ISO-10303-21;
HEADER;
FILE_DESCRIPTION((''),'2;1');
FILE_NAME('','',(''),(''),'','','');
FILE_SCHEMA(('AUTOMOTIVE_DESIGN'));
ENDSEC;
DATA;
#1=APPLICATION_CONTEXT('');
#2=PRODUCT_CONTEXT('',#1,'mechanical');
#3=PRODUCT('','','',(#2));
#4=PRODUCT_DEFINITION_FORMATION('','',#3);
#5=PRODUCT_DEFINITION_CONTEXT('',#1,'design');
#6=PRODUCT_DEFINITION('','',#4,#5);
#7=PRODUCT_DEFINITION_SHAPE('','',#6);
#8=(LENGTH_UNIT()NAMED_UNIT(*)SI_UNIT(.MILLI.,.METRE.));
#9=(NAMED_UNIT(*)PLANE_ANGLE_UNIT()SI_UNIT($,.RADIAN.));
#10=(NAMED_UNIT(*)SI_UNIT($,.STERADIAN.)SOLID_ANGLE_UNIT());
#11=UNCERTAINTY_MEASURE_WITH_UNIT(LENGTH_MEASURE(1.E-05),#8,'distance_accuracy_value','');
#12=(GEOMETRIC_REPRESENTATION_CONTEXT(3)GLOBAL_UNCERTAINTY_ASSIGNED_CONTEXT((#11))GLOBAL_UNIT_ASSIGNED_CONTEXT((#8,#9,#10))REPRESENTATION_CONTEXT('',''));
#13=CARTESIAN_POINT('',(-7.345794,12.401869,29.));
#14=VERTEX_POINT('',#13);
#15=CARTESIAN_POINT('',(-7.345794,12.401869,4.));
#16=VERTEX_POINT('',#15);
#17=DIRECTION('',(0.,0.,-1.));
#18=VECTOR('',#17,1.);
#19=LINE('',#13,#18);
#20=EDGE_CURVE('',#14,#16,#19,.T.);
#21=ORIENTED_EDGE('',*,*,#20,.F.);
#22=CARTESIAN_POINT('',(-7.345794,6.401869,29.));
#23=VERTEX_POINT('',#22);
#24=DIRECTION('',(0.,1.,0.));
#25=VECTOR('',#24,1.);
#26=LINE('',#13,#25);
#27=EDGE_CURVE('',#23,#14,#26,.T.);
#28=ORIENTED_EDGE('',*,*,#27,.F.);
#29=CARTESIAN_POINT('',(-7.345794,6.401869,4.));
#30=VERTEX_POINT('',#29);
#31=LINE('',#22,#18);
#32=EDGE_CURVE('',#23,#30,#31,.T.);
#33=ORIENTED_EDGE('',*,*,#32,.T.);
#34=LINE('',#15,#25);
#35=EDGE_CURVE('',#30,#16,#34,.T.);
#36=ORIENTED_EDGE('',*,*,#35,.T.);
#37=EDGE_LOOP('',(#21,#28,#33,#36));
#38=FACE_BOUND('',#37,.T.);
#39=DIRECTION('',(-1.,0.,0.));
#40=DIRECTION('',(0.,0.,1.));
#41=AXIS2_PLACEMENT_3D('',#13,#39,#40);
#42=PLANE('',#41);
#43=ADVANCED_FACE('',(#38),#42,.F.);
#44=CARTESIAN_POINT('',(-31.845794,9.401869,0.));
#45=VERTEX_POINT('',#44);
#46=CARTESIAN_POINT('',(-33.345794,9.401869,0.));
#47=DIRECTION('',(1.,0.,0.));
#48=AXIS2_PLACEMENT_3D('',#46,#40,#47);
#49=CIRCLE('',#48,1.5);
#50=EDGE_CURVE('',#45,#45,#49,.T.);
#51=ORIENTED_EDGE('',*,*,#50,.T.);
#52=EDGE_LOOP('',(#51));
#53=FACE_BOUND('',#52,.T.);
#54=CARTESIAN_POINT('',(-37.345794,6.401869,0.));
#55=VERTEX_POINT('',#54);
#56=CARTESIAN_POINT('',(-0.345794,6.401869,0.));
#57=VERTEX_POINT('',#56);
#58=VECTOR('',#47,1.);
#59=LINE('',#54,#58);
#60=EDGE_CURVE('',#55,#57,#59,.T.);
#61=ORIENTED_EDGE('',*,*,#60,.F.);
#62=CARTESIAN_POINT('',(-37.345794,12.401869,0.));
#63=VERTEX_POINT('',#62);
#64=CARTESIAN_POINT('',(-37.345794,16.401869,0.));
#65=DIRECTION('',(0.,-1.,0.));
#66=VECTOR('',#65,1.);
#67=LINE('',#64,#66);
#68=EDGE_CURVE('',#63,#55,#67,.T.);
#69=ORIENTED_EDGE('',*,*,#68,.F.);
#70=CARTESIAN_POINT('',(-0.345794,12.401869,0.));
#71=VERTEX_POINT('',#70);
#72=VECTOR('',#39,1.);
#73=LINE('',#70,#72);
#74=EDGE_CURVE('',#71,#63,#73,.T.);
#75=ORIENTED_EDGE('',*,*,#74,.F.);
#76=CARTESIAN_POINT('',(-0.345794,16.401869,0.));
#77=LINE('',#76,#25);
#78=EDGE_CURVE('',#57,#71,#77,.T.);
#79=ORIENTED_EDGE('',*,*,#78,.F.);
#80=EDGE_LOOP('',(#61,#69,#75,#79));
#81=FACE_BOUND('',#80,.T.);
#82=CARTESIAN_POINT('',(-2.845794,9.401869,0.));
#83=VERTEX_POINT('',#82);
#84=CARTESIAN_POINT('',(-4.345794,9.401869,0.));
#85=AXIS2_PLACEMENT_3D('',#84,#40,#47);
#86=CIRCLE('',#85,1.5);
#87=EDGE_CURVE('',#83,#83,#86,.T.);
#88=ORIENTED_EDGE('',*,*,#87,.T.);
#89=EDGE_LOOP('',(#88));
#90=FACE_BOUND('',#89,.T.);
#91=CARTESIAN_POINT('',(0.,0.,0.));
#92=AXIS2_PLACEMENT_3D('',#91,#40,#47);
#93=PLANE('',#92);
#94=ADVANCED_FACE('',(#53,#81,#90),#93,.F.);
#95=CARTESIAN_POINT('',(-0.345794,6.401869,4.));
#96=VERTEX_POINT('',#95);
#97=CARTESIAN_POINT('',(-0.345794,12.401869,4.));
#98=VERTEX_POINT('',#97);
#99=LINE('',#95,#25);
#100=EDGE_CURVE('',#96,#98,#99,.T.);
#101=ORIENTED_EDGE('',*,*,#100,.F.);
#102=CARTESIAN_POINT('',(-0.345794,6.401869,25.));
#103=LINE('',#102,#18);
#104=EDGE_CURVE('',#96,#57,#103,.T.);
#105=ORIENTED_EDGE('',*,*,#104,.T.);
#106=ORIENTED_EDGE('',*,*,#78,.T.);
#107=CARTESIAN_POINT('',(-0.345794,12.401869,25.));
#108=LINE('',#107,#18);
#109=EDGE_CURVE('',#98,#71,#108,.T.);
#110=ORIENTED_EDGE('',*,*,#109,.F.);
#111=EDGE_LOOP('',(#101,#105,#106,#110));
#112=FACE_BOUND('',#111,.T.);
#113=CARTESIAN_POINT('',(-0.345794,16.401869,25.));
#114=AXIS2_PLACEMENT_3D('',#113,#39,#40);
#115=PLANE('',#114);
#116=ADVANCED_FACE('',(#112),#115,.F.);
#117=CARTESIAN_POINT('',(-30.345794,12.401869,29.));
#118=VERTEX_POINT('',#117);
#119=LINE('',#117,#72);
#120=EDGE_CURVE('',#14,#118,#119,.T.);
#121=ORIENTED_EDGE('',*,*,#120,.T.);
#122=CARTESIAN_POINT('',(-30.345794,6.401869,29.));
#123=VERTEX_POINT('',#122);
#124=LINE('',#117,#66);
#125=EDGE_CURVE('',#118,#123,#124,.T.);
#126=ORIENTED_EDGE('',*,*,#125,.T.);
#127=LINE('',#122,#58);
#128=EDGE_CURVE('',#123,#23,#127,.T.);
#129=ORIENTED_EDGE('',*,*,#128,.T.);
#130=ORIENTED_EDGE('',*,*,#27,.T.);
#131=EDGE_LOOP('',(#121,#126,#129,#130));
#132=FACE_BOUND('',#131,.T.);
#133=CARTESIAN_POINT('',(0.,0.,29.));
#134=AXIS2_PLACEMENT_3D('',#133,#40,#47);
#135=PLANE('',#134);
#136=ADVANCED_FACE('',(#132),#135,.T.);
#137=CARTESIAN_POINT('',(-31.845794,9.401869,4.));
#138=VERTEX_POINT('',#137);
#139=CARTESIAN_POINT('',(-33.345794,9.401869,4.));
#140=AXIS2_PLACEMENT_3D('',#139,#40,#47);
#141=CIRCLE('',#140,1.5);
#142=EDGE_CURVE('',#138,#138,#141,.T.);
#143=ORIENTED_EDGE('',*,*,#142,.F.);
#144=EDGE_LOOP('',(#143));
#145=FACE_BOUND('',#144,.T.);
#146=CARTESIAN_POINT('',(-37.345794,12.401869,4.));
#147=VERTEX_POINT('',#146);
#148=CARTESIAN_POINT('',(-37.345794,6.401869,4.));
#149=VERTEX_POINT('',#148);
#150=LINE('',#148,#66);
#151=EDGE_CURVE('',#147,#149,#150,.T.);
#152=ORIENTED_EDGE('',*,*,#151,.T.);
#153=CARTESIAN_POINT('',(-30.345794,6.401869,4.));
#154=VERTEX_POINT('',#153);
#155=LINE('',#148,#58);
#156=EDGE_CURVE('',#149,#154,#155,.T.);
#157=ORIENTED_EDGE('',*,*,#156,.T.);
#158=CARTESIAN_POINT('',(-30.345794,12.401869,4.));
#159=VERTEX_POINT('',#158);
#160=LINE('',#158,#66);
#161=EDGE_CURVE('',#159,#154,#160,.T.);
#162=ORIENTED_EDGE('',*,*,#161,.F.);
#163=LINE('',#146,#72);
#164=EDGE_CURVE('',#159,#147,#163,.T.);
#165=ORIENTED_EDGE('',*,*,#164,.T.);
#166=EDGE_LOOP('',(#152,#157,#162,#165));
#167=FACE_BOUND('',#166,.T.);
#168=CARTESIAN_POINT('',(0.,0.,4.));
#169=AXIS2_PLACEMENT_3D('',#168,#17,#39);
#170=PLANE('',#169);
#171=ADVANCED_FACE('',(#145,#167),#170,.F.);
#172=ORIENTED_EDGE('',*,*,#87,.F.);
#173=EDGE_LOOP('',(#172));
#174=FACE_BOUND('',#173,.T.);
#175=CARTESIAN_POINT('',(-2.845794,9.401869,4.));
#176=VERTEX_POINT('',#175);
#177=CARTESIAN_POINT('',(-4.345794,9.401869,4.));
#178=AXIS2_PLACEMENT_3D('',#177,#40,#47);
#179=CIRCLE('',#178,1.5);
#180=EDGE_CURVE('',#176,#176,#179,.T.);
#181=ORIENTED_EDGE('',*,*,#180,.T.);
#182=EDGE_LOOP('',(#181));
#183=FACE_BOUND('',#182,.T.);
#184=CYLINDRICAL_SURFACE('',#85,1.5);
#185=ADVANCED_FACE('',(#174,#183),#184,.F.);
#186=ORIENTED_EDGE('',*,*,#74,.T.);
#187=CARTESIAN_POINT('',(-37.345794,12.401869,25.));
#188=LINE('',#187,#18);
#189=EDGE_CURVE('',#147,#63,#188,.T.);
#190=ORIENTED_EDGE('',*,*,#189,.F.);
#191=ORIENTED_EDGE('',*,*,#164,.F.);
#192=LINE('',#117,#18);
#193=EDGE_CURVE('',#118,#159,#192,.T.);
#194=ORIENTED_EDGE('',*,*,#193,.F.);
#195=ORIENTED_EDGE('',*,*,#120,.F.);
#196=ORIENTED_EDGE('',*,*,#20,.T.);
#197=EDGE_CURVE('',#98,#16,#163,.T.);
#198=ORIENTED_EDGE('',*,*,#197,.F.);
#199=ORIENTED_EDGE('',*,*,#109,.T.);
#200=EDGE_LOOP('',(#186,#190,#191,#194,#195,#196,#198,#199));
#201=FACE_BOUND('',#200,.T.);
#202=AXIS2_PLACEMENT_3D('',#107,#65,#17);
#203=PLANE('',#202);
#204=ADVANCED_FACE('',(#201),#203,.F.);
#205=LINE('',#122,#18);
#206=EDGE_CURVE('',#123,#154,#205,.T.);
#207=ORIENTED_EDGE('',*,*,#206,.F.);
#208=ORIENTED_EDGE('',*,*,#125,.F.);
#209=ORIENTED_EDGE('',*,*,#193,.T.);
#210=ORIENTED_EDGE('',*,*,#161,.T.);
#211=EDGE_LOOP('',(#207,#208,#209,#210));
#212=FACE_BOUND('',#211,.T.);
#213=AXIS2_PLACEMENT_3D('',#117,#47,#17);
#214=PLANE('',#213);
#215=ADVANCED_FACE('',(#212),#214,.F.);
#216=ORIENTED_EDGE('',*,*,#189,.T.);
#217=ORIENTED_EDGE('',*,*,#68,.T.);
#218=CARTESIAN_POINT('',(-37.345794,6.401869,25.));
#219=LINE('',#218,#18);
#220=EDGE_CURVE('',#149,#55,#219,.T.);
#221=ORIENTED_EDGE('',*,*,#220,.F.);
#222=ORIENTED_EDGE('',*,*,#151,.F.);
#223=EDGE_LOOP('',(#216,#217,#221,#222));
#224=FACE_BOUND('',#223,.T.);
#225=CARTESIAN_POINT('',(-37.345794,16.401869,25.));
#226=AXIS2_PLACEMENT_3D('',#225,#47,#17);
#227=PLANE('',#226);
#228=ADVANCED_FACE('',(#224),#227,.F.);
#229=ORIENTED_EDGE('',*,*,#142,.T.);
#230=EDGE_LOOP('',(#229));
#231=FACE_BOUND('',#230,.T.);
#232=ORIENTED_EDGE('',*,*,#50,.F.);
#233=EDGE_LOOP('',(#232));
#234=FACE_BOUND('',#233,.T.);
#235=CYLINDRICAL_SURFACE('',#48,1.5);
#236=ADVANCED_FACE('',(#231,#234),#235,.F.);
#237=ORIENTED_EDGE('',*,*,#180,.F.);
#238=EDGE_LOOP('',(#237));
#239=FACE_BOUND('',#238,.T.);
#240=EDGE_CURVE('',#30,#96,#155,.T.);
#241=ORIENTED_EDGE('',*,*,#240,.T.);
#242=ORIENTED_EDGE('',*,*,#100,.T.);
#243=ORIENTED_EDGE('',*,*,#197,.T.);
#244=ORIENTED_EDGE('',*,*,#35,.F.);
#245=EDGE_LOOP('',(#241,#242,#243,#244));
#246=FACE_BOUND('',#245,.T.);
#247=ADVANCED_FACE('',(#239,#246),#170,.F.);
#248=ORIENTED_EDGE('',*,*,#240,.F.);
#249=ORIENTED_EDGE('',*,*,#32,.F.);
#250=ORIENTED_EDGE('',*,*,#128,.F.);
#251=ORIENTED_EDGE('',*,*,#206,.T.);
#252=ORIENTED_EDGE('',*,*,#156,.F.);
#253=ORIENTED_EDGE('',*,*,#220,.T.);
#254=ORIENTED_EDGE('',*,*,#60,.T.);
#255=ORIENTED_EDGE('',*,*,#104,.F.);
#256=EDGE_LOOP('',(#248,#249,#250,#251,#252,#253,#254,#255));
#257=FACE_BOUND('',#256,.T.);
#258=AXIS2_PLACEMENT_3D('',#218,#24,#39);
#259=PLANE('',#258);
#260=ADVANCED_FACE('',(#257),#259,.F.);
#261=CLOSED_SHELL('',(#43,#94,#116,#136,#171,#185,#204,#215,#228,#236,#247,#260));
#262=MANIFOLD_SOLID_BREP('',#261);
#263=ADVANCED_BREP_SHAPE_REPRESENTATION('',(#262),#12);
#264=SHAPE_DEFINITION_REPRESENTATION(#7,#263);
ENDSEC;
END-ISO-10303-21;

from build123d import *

# Parameters (mm, degrees)
CROQUIS1_W              = 37
CROQUIS1_H              = 10
SALIENTE_EXTRUIR1_DEPTH = 25
CROQUIS2_W              = 37
CROQUIS2_H              = 6
CORTAR_EXTRUIR1_DEPTH   = 21
CROQUIS4_R              = 1.5
CORTAR_EXTRUIR2_DEPTH   = 4
CROQUIS6_W              = 37
CROQUIS6_H              = 4
CORTAR_EXTRUIR3_DEPTH   = 4
CROQUIS8_W              = 23
CROQUIS8_H              = 6
SALIENTE_EXTRUIR2_DEPTH = 25


with BuildPart() as part:
    # Croquis1 → Saliente-Extruir1 (new body)
    with BuildSketch(Plane.XY):
        with Locations((-18.845794393, 11.401869159)):
            Rectangle(CROQUIS1_W, CROQUIS1_H)
    extrude(amount=SALIENTE_EXTRUIR1_DEPTH)

    # Croquis2 → Cortar-Extruir1 (cut)
    with BuildSketch(Plane.XY.offset(25)):
        with Locations((-18.845794393, 9.401869159)):
            Rectangle(CROQUIS2_W, CROQUIS2_H)
    extrude(amount=-CORTAR_EXTRUIR1_DEPTH, mode=Mode.SUBTRACT)

    # Croquis4 → Cortar-Extruir2 (cut)
    with BuildSketch(Plane.XY.offset(4)):
        with Locations((-33.345794393, 9.401869159)):
            Circle(CROQUIS4_R)
        with Locations((-4.345794393, 9.401869159)):
            Circle(CROQUIS4_R)
    extrude(amount=-CORTAR_EXTRUIR2_DEPTH, mode=Mode.SUBTRACT)

    # Croquis6 → Cortar-Extruir3 (cut)
    with BuildSketch(Plane(origin=(0, 0, 0), x_dir=(-1, 0, 0), z_dir=(0, 0, -1))):
        with Locations((18.845794393, 14.401869159)):
            Rectangle(CROQUIS6_W, CROQUIS6_H)
    extrude(amount=-CORTAR_EXTRUIR3_DEPTH, mode=Mode.SUBTRACT)


with BuildPart() as cortar_extruir3_kept_piece:
    # of the separate pieces the step leaves, the one the design keeps (cortar_extruir3_pieces_kept)
    add(part.part.solids().sort_by_distance((-37.345794393, 6.401869159, 0))[0])

    # Croquis8 → Saliente-Extruir2 (add)
    with BuildSketch(Plane.XY.offset(4)):
        with Locations((-18.845794393, 9.401869159)):
            Rectangle(CROQUIS8_W, CROQUIS8_H)
    extrude(amount=SALIENTE_EXTRUIR2_DEPTH)


solid = cortar_extruir3_kept_piece.part
